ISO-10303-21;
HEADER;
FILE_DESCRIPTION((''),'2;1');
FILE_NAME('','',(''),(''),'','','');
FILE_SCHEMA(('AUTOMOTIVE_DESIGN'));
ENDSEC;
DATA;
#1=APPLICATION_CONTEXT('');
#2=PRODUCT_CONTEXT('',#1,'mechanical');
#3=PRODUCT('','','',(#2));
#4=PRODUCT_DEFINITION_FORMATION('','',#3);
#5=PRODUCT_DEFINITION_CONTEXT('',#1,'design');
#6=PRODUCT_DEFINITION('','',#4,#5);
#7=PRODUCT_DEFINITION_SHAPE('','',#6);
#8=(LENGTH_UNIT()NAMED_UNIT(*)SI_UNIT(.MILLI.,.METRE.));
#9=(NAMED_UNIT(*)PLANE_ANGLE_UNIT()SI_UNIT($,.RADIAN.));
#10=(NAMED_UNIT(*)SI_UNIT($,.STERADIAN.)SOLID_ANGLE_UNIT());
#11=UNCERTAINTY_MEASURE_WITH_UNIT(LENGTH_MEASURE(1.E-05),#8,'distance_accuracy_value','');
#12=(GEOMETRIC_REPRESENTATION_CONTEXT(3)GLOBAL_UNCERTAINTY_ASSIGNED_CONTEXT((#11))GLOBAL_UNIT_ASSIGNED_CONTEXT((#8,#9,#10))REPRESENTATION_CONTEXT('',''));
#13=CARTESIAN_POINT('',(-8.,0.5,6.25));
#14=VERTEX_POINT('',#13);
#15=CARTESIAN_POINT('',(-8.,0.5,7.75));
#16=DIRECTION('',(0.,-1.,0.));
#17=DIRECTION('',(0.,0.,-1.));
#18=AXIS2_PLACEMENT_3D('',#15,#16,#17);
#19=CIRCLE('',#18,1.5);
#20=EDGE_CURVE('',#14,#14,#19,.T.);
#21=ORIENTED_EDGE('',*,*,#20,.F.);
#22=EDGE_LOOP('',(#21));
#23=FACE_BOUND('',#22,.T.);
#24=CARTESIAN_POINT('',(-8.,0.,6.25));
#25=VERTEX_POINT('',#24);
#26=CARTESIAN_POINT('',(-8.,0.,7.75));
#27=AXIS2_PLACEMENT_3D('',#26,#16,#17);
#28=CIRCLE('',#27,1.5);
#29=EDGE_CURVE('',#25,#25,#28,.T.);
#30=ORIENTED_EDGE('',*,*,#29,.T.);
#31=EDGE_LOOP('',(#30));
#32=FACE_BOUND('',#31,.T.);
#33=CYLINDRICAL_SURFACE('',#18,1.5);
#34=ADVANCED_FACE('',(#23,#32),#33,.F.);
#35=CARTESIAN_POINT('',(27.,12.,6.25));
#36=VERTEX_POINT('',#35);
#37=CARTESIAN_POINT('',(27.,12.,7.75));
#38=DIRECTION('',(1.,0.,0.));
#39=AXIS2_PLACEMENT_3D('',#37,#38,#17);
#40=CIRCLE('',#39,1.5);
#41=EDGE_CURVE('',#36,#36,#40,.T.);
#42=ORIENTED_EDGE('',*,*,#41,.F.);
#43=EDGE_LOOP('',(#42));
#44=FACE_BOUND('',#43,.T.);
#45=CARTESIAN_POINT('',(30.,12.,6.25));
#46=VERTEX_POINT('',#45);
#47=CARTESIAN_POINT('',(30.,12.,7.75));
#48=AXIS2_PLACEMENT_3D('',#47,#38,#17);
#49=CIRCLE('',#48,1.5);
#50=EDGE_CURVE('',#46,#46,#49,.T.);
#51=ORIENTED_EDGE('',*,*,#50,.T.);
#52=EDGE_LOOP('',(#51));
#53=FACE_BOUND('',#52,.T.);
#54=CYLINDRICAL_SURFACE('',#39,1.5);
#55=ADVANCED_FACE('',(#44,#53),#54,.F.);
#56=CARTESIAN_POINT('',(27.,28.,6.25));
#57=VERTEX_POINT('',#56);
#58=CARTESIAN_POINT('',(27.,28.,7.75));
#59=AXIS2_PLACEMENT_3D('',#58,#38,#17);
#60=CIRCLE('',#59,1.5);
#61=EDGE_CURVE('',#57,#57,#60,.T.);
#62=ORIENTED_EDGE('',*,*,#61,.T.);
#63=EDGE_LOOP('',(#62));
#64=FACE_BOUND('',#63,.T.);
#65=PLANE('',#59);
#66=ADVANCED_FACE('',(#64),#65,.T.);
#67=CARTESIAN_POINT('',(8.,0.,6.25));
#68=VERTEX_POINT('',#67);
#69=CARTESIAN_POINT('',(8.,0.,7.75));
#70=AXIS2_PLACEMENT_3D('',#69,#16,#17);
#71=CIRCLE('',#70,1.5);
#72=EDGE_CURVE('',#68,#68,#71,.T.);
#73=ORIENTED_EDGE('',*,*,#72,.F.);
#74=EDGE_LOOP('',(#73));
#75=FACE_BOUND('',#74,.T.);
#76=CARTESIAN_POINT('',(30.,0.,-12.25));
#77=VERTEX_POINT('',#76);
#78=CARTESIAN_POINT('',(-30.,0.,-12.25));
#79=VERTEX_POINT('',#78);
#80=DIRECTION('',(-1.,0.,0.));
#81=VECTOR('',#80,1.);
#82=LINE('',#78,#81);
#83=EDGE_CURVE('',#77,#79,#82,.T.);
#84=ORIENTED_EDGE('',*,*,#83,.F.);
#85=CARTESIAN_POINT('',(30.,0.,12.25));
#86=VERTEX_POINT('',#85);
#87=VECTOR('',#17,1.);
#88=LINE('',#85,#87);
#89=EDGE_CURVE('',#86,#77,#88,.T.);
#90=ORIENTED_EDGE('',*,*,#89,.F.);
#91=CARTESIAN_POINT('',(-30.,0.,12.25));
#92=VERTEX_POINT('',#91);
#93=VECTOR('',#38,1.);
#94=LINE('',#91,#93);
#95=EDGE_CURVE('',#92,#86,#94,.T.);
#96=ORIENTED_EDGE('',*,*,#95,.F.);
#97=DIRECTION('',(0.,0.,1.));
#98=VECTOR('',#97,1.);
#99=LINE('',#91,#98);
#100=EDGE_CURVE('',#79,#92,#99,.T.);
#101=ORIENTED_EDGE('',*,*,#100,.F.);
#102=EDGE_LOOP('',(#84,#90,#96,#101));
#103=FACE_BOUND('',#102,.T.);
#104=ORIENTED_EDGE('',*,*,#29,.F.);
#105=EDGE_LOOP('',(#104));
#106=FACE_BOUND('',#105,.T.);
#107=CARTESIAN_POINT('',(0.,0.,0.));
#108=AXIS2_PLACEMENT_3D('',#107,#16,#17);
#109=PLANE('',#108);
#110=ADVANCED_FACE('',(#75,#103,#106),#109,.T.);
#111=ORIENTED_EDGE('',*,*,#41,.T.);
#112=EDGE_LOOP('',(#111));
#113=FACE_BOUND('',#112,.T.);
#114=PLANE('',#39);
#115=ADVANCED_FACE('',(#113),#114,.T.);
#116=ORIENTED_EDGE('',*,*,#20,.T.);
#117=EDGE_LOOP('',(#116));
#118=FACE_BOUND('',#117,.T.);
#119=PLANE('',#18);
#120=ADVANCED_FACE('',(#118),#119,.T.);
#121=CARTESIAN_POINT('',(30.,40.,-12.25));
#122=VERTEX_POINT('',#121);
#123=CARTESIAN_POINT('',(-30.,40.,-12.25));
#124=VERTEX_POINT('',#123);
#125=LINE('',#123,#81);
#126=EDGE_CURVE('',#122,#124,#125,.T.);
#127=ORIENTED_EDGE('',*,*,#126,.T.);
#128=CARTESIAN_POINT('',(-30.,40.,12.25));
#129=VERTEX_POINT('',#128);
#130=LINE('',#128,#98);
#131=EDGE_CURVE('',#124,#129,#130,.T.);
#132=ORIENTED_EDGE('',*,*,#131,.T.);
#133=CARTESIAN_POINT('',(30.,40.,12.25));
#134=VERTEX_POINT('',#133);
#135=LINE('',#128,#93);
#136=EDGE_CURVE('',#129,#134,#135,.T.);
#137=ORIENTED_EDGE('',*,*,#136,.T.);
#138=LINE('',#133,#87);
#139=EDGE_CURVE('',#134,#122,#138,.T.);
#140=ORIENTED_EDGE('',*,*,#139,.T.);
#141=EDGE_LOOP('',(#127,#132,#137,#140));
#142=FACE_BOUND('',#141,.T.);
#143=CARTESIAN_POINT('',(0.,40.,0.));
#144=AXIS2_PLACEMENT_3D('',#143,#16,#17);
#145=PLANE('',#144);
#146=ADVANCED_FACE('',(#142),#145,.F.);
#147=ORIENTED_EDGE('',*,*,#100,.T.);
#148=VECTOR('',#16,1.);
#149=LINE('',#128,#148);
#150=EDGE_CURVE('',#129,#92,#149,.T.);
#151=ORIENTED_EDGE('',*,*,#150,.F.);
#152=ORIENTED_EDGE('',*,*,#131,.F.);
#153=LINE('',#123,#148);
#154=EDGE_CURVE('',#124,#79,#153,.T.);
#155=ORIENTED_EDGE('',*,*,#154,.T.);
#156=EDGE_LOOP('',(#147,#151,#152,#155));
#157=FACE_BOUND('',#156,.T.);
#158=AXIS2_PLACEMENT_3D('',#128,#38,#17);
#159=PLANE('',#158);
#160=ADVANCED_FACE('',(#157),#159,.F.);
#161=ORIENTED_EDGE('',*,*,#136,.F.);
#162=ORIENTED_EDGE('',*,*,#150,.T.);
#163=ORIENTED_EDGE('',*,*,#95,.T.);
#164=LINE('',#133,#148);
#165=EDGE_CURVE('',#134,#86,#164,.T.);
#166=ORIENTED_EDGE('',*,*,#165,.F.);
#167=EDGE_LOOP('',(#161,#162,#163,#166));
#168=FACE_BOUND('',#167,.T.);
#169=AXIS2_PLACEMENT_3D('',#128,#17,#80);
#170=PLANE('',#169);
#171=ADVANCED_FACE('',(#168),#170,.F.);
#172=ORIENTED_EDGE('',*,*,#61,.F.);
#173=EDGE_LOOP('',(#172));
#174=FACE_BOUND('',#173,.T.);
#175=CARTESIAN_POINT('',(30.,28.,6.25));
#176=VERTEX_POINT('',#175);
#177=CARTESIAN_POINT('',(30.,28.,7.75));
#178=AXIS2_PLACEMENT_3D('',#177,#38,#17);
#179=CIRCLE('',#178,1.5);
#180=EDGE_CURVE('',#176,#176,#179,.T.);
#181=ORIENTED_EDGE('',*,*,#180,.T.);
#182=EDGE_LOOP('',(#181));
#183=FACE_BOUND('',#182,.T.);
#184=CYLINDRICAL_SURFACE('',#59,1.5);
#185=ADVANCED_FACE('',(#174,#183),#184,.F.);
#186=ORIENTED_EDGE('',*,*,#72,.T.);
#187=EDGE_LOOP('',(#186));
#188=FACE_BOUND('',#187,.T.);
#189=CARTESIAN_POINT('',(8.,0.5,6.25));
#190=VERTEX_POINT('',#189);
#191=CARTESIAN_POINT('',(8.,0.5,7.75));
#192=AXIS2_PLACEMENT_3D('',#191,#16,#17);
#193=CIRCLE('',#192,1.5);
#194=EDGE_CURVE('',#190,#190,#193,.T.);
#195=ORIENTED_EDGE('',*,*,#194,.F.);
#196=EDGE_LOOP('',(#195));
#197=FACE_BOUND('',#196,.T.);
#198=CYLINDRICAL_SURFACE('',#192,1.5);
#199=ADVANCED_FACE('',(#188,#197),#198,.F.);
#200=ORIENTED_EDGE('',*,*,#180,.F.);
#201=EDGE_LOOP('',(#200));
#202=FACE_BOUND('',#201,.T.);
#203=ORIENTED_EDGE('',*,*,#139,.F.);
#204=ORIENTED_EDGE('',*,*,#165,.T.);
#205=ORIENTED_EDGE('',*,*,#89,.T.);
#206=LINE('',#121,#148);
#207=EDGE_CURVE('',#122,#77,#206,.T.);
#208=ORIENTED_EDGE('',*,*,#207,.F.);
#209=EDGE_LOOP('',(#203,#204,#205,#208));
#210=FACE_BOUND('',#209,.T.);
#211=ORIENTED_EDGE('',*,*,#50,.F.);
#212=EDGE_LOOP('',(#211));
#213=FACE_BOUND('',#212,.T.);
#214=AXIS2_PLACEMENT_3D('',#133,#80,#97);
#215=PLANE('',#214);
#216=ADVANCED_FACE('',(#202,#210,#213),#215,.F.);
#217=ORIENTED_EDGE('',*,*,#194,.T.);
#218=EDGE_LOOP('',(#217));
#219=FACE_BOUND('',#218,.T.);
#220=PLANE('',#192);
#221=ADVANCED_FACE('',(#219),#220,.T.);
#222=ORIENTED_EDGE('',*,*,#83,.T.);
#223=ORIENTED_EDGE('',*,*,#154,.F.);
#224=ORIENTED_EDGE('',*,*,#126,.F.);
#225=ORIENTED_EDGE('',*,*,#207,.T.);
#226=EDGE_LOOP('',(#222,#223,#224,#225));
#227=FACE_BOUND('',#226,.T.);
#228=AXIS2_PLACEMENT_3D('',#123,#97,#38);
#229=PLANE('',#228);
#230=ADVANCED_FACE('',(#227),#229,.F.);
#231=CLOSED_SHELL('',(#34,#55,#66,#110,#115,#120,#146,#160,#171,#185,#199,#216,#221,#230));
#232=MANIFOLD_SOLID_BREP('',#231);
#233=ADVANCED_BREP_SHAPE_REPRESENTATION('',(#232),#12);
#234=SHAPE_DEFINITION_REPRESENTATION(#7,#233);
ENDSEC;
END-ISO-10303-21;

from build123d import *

# Parameters (mm, degrees)
SKETCH_1_W          = 60
SKETCH_1_H          = 24.5
EXTRUDE_1_DEPTH     = 40
SKETCH_2_R          = 1.5
CUT_EXTRUDE_1_DEPTH = 0.5
SKETCH_3_R          = 1.5
CUT_EXTRUDE_2_DEPTH = 3


with BuildPart() as part:
    # 草图1 → 凸台-拉伸1 (new body)
    with BuildSketch(Plane(origin=(0, 0, 0), x_dir=(1, 0, 0), z_dir=(0, 1, 0))):
        Rectangle(SKETCH_1_W, SKETCH_1_H)
    extrude(amount=EXTRUDE_1_DEPTH)

    # 草图2 → 切除-拉伸1 (cut)
    with BuildSketch(Plane(origin=(0, 0, 0), x_dir=(-1, 0, 0), z_dir=(0, -1, 0))):
        with Locations((8, -7.75)):
            Circle(SKETCH_2_R)
        with Locations((-8, -7.75)):
            Circle(SKETCH_2_R)
    extrude(amount=-CUT_EXTRUDE_1_DEPTH, mode=Mode.SUBTRACT)

    # 草图3 → 切除-拉伸2 (cut)
    with BuildSketch(Plane(origin=(30, 0, 0), x_dir=(0, 0, -1), z_dir=(1, 0, 0))):
        with Locations((-7.75, 28)):
            Circle(SKETCH_3_R)
        with Locations((-7.75, 12)):
            Circle(SKETCH_3_R)
    extrude(amount=-CUT_EXTRUDE_2_DEPTH, mode=Mode.SUBTRACT)


solid = part.part
